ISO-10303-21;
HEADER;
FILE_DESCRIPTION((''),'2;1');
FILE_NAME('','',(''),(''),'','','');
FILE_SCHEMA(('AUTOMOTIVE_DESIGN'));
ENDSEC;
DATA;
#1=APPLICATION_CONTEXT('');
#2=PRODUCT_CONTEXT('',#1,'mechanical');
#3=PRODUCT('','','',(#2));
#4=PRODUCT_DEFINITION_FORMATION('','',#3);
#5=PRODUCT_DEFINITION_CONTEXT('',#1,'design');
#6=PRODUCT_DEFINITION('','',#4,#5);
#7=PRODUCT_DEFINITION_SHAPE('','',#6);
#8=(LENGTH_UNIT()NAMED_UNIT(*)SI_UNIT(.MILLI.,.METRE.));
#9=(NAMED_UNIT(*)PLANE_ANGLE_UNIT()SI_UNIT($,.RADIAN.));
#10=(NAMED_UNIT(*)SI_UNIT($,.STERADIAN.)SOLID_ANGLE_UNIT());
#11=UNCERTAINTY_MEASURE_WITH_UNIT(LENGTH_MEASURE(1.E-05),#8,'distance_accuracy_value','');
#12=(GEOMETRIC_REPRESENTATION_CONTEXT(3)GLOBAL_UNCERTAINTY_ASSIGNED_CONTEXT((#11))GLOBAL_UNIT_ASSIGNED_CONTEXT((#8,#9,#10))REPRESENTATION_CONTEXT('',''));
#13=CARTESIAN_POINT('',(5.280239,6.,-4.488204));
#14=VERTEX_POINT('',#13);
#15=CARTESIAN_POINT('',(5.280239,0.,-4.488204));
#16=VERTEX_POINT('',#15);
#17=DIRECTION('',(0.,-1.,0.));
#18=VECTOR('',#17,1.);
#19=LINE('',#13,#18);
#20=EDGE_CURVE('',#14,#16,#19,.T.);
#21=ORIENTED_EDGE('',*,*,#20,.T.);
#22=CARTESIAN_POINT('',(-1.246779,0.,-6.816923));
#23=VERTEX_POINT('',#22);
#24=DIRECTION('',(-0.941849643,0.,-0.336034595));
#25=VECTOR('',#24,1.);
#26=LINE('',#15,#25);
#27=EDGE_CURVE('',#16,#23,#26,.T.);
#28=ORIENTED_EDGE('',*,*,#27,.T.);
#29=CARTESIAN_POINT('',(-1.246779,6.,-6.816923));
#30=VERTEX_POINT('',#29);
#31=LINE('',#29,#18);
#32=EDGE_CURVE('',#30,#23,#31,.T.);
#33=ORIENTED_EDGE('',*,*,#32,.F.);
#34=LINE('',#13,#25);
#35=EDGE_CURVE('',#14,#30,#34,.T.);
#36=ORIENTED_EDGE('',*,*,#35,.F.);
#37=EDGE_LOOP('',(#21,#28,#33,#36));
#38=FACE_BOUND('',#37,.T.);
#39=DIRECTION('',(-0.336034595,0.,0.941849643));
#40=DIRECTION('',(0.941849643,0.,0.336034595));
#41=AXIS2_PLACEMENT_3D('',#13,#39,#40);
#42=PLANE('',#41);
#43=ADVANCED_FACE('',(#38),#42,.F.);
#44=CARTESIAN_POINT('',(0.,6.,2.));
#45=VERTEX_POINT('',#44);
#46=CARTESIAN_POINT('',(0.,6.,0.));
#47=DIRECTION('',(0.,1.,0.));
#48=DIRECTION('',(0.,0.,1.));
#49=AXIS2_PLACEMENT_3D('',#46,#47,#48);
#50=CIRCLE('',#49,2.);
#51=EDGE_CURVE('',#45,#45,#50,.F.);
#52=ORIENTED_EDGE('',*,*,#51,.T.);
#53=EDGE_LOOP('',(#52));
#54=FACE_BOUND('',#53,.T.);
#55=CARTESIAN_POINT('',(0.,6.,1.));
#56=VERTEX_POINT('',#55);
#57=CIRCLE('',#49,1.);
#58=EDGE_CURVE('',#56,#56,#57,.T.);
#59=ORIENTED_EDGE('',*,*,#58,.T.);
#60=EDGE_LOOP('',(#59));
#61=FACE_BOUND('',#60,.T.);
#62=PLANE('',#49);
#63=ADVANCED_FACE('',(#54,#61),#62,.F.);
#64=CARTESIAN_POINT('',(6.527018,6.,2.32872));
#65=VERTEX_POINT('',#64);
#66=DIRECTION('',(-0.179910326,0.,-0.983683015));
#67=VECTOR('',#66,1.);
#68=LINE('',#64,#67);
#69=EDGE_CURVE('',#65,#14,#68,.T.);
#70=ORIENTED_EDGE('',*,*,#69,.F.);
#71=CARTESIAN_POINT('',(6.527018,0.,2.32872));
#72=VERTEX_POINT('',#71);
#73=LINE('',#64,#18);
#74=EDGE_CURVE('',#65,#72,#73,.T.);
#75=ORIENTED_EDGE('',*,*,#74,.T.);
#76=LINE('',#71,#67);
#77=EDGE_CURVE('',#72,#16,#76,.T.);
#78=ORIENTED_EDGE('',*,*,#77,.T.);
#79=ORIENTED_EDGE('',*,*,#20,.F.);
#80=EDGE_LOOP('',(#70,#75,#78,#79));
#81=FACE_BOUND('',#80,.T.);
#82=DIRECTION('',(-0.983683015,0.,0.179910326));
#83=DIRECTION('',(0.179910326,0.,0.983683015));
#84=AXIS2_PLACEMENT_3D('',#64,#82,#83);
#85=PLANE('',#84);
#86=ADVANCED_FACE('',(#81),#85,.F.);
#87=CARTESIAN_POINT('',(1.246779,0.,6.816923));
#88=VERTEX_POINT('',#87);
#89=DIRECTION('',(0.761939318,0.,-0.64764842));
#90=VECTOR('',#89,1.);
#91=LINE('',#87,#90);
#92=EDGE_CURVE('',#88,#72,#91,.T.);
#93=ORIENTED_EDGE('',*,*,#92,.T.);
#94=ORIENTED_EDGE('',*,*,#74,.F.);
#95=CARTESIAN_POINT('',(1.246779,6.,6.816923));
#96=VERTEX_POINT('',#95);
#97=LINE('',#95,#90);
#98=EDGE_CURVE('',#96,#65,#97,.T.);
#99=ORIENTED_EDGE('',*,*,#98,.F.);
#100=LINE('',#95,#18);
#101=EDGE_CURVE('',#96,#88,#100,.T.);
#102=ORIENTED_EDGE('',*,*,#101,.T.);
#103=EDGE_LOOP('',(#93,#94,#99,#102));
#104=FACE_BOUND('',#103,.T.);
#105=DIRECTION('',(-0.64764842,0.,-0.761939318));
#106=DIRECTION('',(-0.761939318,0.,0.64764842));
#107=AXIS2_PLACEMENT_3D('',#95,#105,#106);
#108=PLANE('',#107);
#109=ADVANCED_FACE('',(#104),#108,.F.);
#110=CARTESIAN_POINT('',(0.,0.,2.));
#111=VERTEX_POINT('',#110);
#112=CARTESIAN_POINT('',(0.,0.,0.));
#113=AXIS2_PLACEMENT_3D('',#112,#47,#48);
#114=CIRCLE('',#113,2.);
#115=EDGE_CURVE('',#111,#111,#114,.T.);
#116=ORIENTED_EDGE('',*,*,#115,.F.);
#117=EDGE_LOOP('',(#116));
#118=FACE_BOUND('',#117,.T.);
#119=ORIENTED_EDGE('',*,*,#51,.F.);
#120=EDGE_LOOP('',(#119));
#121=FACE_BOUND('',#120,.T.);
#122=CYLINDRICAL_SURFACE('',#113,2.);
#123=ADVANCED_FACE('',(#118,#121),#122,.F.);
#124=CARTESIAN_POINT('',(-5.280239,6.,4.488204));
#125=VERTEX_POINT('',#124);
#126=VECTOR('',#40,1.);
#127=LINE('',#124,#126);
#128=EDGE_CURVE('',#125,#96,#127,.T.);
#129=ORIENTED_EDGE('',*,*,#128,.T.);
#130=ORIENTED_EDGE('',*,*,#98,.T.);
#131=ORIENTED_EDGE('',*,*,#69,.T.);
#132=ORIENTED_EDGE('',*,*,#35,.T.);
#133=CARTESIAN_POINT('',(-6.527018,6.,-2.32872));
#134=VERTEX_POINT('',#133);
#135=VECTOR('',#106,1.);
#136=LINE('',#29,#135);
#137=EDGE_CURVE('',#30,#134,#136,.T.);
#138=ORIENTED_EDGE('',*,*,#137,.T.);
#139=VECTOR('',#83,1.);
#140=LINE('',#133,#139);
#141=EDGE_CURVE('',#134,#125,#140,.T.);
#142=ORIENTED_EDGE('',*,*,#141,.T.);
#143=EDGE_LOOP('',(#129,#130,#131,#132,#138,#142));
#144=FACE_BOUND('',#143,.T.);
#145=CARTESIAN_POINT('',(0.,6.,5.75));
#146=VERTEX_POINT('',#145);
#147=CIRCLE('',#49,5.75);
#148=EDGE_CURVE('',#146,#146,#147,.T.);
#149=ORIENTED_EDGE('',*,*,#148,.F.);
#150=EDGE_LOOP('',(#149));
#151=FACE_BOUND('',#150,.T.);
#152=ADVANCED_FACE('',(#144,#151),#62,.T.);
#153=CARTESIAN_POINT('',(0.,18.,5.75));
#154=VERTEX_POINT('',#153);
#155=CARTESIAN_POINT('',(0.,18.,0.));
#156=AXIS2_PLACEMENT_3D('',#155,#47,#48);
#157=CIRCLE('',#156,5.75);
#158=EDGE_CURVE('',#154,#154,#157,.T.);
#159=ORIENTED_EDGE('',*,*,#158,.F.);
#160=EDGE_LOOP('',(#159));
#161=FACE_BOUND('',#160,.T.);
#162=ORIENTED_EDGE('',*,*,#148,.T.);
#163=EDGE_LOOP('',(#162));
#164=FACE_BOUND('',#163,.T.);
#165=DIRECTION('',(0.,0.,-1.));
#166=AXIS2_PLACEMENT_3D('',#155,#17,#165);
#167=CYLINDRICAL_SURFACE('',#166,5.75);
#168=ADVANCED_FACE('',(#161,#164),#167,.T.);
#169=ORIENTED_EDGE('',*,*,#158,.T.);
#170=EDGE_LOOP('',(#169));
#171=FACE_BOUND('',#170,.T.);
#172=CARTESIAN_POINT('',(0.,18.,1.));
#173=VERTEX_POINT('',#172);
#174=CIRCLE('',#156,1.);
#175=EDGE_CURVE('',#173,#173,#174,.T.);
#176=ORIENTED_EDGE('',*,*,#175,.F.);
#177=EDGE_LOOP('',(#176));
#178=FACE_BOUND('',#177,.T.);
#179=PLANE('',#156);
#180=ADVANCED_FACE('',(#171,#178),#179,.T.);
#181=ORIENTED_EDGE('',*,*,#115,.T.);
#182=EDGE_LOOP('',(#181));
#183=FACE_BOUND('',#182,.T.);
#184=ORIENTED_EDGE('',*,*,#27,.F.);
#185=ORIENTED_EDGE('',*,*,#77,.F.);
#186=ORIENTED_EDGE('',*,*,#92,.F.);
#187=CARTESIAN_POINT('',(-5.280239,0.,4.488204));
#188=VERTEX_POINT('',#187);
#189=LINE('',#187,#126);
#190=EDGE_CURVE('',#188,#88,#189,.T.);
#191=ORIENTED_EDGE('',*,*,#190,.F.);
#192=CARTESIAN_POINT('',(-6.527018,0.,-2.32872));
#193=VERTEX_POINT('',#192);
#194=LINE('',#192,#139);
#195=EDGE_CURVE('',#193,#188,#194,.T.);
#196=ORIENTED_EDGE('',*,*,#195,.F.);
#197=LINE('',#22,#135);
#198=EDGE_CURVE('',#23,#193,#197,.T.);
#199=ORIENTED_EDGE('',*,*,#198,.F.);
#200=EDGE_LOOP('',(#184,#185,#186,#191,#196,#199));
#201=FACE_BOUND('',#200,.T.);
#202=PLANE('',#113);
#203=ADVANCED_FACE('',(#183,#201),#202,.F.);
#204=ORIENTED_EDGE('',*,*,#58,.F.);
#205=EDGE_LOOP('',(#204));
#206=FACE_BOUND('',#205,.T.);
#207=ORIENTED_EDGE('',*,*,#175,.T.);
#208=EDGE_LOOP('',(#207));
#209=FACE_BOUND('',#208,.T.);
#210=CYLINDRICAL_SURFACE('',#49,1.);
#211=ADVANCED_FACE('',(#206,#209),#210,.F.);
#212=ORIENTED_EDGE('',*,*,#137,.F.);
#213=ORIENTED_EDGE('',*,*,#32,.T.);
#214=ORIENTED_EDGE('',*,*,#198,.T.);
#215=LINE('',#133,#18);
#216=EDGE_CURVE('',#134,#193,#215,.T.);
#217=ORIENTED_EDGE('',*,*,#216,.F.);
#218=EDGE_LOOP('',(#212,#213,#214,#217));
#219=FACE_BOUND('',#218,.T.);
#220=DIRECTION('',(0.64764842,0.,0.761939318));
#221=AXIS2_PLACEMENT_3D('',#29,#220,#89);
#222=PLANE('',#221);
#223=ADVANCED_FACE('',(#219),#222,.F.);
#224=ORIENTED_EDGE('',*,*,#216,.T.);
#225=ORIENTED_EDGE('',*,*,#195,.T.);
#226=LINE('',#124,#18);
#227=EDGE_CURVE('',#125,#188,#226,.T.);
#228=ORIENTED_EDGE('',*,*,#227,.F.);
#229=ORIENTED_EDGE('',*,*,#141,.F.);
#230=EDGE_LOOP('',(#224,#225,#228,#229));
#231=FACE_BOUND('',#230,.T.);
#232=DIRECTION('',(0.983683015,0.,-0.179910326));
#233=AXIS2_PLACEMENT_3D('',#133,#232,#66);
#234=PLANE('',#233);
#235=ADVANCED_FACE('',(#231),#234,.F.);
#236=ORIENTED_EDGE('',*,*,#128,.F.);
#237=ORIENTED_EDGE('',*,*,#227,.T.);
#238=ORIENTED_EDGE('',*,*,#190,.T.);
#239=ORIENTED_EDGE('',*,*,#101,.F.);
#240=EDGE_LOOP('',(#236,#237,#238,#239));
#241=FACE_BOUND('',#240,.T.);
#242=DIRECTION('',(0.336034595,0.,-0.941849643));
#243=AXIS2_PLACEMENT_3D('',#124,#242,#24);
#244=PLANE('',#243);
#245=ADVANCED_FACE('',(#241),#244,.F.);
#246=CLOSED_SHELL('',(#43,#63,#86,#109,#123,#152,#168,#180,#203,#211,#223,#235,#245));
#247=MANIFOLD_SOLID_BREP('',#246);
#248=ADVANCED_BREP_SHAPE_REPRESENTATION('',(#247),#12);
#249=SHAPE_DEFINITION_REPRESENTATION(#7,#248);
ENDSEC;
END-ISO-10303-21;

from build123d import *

# Parameters (mm, degrees)
EXTRUDE_1_DEPTH     = 6
SKETCH_2_R          = 2
CUT_EXTRUDE_1_DEPTH = 6
SKETCH_3_R          = 5.75
EXTRUDE_2_DEPTH     = 12
SKETCH_4_R          = 1
CUT_EXTRUDE_2_DEPTH = 12


with BuildPart() as part:
    # 草图1 → 凸台-拉伸1 (new body)
    with BuildSketch(Plane(origin=(0, 0, 0), x_dir=(1, 0, 0), z_dir=(0, 1, 0))):
        Polygon((5.280239472, 4.488203551), (-1.246778557, 6.816923297), (-6.527018029, 2.328719745), (-5.280239472, -4.488203551), (1.246778557, -6.816923297), (6.527018029, -2.328719745), align=None)
    extrude(amount=EXTRUDE_1_DEPTH)

    # 草图2 → 切除-拉伸1 (cut)
    with BuildSketch(Plane(origin=(0, 6, 0), x_dir=(1, 0, 0), z_dir=(0, 1, 0))):
        with Locations(Location((0, 0, 0), (0, 0, 270))):
            Circle(SKETCH_2_R)
    extrude(amount=-CUT_EXTRUDE_1_DEPTH, mode=Mode.SUBTRACT)

    # 草图3 → 凸台-拉伸2 (add)
    with BuildSketch(Plane(origin=(0, 6, 0), x_dir=(1, 0, 0), z_dir=(0, 1, 0))):
        with Locations(Location((0, 0, 0), (0, 0, 270))):
            Circle(SKETCH_3_R)
    extrude(amount=EXTRUDE_2_DEPTH)

    # 草图4 → 切除-拉伸2 (cut)
    with BuildSketch(Plane(origin=(0, 18, 0), x_dir=(1, 0, 0), z_dir=(0, 1, 0))):
        with Locations(Location((0, 0, 0), (0, 0, 270))):
            Circle(SKETCH_4_R)
    extrude(amount=-CUT_EXTRUDE_2_DEPTH, mode=Mode.SUBTRACT)


solid = part.part
